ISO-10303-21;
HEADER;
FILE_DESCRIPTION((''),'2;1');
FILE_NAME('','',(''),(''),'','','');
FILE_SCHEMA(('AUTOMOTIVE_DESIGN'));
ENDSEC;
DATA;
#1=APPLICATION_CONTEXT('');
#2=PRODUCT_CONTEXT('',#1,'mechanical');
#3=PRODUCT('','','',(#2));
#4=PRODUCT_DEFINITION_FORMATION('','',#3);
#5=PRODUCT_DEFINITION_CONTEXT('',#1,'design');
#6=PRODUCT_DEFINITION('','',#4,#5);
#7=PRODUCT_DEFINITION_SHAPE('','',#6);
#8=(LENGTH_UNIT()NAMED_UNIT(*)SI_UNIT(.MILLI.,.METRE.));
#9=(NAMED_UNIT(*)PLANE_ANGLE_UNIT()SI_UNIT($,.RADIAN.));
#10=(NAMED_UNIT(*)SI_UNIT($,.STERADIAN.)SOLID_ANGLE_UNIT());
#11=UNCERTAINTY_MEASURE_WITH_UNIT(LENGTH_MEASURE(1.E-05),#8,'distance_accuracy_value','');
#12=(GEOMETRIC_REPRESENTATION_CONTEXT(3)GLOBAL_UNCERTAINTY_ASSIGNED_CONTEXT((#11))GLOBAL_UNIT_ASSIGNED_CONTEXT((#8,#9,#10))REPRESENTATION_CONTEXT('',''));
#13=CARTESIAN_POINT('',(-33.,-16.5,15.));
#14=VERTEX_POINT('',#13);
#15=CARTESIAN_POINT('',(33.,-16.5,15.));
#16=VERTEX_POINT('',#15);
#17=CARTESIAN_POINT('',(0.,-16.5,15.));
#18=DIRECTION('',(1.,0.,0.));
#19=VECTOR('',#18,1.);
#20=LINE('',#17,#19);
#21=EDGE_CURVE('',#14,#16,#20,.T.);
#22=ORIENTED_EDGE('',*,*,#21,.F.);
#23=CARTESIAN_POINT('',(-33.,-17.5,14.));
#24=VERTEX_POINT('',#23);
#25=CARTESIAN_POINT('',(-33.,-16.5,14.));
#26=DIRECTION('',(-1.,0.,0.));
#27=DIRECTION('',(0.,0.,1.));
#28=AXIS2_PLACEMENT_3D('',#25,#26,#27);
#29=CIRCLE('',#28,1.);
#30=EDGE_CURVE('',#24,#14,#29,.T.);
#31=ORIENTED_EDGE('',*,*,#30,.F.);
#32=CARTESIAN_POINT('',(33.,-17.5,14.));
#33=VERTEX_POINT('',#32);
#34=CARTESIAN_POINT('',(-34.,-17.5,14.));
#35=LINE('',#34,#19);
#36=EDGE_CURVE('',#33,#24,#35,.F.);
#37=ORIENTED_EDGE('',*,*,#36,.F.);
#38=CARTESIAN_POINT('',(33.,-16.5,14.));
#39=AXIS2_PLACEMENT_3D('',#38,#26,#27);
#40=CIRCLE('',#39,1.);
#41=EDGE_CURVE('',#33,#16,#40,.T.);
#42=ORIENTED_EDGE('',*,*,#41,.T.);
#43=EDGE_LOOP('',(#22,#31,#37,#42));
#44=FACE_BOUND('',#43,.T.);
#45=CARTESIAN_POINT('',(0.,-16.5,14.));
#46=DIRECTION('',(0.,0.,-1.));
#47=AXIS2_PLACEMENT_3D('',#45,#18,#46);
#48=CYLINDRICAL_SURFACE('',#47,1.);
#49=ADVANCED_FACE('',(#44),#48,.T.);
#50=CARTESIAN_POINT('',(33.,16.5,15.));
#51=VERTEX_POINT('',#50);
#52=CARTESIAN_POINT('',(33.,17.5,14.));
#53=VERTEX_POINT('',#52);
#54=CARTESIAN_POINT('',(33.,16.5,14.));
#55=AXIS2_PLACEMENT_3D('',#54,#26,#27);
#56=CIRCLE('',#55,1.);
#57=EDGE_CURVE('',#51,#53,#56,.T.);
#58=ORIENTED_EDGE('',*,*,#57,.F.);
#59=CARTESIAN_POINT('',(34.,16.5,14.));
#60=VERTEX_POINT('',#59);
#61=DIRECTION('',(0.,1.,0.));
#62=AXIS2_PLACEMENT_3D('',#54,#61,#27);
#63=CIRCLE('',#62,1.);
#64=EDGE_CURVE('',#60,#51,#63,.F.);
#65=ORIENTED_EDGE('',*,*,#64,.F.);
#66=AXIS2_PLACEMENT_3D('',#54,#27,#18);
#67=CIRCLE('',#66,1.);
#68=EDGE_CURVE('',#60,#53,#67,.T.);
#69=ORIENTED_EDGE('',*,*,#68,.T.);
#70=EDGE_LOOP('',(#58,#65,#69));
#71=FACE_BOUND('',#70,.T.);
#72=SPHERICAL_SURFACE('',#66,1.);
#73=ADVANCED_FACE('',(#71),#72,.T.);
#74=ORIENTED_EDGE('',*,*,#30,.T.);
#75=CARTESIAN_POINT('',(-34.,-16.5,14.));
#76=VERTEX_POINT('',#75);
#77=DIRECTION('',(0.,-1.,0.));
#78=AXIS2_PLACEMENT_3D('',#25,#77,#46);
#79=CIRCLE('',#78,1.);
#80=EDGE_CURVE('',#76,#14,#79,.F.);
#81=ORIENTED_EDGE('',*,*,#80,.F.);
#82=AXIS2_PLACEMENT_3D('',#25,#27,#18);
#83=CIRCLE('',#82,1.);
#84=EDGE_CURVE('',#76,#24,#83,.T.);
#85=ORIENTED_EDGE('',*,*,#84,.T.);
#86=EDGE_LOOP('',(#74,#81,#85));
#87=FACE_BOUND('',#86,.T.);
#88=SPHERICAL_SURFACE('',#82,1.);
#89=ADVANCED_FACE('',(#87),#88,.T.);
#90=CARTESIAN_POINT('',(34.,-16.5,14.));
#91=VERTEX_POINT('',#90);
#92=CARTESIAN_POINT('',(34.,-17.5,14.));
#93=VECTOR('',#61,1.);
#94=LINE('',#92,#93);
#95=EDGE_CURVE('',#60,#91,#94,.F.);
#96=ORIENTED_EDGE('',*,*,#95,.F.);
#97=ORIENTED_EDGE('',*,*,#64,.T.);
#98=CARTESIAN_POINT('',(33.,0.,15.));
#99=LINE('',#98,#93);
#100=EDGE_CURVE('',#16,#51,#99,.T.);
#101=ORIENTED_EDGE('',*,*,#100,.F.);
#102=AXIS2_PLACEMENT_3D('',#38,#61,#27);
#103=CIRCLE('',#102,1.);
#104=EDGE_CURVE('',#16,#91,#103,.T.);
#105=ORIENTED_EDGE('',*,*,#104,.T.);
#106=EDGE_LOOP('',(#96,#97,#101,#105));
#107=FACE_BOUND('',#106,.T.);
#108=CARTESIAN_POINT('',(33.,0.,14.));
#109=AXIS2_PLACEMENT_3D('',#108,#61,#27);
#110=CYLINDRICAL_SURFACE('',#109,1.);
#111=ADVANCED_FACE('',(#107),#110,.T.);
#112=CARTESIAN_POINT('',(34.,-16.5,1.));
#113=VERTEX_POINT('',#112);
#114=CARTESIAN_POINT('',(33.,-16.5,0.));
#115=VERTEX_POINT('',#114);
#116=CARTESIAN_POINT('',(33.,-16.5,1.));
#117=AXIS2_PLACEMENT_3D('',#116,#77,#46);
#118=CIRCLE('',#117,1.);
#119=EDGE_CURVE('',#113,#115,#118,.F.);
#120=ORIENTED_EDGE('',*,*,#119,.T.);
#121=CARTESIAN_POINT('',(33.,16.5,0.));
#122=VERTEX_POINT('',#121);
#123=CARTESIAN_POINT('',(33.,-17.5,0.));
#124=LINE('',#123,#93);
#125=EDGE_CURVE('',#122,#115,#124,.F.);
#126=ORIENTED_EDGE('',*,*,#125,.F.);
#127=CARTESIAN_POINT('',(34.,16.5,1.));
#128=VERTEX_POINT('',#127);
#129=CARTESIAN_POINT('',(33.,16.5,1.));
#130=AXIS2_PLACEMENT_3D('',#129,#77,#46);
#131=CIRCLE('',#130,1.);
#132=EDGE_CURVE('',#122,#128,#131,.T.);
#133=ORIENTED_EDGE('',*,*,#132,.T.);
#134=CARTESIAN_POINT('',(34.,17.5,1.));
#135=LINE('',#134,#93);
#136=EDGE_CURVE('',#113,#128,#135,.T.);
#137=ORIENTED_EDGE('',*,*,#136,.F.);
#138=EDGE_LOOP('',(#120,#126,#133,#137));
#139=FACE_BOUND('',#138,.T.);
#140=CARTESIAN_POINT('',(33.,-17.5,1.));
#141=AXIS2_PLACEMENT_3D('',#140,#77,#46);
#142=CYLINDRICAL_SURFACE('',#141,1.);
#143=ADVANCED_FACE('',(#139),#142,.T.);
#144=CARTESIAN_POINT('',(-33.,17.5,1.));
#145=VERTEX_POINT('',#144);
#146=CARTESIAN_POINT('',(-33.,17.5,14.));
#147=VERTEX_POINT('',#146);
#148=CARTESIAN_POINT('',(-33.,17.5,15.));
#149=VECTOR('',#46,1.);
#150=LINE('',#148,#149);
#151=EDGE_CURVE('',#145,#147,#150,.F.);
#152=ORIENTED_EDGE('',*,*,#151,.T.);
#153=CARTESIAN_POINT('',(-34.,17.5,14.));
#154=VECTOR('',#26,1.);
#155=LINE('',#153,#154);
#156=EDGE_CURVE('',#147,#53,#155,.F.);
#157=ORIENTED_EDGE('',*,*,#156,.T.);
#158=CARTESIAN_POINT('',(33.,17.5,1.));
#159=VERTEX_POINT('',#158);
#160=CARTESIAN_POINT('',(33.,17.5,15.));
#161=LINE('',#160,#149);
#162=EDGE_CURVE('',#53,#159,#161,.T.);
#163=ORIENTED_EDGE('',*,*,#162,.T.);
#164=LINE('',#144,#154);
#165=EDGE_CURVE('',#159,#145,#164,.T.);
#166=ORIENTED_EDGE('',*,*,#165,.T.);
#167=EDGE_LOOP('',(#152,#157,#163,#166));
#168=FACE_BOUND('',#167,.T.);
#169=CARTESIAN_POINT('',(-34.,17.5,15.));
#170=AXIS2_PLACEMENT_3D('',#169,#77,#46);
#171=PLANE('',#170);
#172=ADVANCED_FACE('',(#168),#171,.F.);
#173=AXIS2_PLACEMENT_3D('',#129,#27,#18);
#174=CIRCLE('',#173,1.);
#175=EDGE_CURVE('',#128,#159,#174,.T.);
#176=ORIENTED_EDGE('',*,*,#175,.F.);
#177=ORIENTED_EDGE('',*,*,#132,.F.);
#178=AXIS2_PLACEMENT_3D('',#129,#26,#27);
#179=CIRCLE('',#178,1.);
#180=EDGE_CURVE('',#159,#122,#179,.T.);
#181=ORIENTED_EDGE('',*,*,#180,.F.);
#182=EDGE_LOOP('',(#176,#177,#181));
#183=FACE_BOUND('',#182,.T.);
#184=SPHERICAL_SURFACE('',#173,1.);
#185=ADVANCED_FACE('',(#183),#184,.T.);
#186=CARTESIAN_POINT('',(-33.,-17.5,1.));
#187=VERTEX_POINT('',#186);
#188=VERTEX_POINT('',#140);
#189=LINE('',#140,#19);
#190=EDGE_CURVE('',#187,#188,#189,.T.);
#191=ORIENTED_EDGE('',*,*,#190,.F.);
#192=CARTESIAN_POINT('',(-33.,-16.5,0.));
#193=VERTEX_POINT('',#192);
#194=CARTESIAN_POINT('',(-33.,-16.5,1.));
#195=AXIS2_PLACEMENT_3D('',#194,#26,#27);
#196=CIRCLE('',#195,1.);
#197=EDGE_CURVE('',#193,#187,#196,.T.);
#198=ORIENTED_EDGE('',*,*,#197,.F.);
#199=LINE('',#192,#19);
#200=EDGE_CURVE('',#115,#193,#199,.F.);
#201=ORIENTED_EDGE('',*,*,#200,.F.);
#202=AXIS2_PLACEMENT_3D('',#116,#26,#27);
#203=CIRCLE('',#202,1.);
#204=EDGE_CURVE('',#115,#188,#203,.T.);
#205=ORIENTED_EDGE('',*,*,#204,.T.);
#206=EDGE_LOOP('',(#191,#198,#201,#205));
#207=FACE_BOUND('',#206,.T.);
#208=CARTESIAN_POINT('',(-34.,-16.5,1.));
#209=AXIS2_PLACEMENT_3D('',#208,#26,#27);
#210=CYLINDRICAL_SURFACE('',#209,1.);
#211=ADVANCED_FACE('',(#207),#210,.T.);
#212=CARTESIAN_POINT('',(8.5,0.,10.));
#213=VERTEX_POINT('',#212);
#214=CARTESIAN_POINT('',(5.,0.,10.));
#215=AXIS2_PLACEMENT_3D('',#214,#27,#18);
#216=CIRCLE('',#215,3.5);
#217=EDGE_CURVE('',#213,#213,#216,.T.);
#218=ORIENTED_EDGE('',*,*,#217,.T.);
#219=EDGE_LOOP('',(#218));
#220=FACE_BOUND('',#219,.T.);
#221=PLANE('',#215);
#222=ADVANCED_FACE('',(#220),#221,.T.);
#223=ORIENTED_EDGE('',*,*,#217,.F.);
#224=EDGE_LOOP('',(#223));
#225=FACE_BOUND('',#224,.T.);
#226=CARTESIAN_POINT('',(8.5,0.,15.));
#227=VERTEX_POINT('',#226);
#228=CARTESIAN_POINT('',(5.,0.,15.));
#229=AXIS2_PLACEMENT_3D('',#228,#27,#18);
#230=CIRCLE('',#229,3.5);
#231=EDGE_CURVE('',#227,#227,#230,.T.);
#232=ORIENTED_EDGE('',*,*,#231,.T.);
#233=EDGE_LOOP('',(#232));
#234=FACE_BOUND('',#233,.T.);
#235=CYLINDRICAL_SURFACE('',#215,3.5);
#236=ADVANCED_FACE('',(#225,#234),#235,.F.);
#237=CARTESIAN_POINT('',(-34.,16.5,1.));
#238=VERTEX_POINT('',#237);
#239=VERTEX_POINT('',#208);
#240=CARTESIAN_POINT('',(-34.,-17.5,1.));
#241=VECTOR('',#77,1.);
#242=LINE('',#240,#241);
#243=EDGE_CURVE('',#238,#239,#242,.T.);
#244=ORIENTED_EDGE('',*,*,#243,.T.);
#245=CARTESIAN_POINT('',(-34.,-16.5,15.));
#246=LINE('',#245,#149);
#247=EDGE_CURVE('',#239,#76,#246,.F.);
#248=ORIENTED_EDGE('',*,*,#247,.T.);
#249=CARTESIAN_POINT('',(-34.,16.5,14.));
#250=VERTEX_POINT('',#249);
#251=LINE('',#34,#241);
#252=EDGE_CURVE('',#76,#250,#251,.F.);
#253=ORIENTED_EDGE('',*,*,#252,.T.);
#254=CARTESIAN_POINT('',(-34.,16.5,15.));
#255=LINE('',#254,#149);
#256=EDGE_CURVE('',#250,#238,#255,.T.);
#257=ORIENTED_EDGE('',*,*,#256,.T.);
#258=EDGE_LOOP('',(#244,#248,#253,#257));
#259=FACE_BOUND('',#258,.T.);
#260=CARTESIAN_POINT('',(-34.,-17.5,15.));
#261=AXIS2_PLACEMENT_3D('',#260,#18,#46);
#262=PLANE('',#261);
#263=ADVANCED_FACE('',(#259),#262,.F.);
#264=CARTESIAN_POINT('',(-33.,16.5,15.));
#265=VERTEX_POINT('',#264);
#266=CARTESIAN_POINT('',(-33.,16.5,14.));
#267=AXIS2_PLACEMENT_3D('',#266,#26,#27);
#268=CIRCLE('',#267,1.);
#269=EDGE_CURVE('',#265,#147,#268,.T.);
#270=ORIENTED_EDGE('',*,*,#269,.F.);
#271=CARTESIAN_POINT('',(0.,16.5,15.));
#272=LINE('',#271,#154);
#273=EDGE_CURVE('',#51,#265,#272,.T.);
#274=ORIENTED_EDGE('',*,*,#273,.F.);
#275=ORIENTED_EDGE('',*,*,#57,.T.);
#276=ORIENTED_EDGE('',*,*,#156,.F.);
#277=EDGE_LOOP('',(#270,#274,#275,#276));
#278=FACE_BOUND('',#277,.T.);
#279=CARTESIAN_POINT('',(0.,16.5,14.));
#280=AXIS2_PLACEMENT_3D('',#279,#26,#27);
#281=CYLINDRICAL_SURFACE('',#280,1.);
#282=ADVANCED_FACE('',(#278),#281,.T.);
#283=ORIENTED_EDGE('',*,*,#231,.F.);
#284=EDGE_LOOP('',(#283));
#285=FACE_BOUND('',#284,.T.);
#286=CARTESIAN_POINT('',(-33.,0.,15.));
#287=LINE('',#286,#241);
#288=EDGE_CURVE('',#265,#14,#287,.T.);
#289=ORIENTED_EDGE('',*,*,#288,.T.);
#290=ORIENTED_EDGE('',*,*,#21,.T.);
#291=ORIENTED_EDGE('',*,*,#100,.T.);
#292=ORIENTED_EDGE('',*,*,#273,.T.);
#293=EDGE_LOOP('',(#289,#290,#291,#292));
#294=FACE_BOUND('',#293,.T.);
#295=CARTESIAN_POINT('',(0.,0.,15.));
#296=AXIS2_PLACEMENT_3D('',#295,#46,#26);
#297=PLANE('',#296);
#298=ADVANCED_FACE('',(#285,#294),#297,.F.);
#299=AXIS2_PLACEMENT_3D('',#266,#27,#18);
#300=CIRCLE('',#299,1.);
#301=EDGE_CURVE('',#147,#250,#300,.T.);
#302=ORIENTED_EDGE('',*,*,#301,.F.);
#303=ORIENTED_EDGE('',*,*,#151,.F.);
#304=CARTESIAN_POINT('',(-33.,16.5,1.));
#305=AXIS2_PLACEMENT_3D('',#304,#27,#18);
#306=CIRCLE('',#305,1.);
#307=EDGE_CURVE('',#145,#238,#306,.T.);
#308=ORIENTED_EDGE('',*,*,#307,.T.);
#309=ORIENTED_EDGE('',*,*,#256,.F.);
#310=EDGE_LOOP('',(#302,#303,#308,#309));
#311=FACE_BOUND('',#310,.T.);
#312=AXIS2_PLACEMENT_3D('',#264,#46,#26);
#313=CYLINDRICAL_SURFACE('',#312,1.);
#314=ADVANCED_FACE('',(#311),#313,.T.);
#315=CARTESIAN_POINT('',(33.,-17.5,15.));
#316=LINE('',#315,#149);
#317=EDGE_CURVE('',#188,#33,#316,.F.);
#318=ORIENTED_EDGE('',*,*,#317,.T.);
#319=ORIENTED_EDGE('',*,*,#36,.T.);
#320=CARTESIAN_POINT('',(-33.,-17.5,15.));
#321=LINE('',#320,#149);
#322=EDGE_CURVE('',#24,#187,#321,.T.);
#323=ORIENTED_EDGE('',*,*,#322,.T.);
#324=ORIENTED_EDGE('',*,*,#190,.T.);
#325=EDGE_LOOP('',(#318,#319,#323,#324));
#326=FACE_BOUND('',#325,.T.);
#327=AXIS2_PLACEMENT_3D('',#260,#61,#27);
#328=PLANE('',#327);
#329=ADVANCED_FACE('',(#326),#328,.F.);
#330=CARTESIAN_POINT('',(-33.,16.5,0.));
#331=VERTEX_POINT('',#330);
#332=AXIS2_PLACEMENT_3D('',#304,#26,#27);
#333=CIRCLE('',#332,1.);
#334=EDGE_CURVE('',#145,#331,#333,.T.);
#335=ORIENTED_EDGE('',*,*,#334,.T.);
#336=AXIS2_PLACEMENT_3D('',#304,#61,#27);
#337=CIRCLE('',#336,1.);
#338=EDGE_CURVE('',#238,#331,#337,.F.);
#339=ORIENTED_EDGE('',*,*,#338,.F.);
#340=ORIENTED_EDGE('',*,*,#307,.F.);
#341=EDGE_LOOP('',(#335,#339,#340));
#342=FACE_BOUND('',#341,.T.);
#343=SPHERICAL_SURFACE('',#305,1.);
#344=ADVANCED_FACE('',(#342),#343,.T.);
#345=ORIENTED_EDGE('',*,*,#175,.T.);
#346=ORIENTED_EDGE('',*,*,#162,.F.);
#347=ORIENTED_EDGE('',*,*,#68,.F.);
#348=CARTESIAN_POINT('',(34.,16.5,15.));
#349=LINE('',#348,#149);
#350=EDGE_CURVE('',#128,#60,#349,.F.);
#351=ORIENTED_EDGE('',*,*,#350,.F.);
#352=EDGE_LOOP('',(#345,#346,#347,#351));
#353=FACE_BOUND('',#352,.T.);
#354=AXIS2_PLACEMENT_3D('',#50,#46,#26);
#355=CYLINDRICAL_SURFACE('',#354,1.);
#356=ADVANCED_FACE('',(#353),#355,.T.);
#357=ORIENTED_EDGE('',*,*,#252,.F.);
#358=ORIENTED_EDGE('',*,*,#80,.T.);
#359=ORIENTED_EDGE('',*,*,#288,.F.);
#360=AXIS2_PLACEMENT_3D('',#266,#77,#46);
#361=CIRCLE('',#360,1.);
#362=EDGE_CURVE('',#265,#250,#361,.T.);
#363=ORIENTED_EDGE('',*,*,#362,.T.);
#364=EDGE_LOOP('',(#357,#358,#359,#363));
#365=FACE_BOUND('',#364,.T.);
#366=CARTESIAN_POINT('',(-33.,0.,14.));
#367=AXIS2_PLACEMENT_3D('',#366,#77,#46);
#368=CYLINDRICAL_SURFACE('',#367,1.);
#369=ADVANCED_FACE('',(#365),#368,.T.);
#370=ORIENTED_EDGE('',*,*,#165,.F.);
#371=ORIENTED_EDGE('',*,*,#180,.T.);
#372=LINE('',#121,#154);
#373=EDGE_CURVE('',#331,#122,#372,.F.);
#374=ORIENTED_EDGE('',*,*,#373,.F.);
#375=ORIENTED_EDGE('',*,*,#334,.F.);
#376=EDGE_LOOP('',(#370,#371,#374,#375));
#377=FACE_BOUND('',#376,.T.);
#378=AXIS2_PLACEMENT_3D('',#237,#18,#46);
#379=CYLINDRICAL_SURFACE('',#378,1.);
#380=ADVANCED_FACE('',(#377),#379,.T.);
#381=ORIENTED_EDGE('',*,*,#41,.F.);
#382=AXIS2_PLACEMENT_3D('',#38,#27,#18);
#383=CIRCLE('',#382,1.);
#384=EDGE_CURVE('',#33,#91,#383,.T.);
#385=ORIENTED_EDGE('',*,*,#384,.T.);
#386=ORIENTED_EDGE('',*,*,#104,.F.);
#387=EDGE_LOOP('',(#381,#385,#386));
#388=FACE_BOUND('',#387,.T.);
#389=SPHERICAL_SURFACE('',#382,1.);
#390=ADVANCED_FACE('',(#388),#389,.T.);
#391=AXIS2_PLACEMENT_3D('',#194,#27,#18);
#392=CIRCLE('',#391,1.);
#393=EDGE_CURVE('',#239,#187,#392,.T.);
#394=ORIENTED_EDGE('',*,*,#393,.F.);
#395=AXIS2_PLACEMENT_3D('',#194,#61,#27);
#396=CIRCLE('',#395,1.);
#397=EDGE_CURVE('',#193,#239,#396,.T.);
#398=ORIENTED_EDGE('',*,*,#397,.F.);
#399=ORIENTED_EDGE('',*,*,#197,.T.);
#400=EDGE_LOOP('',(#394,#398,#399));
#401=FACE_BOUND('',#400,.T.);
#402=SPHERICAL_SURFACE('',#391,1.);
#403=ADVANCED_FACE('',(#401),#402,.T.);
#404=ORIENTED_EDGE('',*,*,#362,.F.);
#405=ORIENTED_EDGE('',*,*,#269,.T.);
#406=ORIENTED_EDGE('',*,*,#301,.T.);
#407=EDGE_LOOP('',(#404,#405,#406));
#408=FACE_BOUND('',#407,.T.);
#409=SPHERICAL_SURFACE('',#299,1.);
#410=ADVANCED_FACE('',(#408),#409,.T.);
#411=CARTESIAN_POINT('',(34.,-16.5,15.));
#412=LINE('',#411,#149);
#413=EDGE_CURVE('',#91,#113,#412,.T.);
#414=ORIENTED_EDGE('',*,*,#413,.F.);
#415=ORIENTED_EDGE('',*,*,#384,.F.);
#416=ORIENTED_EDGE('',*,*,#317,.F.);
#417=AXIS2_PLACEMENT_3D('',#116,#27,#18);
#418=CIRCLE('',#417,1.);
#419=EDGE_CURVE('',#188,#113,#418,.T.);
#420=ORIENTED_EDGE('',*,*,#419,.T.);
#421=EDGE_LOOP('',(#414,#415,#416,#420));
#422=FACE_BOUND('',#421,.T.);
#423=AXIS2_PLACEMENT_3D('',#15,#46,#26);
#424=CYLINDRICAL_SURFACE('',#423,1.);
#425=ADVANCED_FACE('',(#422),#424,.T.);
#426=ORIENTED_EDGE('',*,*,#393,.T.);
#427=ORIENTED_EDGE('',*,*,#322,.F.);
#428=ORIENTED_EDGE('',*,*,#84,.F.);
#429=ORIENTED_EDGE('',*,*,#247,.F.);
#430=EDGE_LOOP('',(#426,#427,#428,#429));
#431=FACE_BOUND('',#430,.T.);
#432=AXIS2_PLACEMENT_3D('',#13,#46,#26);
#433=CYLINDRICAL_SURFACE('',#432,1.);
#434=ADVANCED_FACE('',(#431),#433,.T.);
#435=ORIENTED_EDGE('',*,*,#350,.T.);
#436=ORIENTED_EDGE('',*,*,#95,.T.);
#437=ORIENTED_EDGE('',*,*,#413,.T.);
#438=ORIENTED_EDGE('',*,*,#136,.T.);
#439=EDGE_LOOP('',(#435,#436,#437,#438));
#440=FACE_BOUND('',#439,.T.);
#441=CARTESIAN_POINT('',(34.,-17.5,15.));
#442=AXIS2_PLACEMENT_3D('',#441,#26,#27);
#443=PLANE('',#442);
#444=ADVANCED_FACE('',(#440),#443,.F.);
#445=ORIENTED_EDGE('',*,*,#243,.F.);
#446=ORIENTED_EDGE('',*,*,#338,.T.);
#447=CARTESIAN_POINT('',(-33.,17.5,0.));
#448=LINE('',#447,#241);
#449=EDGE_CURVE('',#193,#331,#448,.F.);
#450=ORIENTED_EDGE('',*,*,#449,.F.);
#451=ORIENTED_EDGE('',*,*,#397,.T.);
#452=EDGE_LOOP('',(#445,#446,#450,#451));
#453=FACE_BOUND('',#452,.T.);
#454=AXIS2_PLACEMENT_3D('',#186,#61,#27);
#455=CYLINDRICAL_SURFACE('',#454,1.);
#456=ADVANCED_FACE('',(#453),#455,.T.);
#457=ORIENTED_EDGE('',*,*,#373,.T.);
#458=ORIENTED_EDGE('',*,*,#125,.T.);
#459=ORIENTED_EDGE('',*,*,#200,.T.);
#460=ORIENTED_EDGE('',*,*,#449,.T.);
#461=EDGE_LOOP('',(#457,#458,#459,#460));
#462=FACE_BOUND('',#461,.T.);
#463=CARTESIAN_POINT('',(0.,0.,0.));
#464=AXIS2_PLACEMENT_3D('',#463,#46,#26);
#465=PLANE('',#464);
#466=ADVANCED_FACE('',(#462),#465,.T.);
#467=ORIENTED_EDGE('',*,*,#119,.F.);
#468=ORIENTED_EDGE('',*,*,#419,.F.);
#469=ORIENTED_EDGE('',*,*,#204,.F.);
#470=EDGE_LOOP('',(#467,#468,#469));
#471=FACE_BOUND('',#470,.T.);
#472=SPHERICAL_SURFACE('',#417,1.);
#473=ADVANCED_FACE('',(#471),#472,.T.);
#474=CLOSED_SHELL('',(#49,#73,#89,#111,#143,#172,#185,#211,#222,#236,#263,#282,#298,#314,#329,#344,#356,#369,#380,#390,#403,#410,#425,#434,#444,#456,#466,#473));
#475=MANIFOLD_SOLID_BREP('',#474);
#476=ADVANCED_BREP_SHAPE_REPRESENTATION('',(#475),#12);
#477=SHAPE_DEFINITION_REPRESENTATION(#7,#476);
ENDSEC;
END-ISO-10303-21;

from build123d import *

# Parameters (mm, degrees)
SKETCH1_W           = 68
SKETCH1_H           = 35
BOSS_EXTRUDE1_DEPTH = 15
FILLET1_R           = 1
FILLET2_R           = 1
FILLET3_R           = 1
FILLET4_R           = 1
SKETCH2_R           = 3.5
CUT_EXTRUDE1_DEPTH  = 5


with BuildPart() as part:
    # Sketch1 → Boss-Extrude1 (new body)
    with BuildSketch(Plane.XY):
        Rectangle(SKETCH1_W, SKETCH1_H)
    extrude(amount=BOSS_EXTRUDE1_DEPTH)

    # Fillet1
    fillet1_edges = [part.edges().sort_by_distance(p)[0] for p in [
        (-34, 0, 15),
        (-34, 0, 0),
    ]]
    fillet(fillet1_edges, radius=FILLET1_R)

    # Fillet2
    fillet2_edges = [part.edges().sort_by_distance(p)[0] for p in [
        (34, 0, 15),
        (34, 0, 0),
    ]]
    fillet(fillet2_edges, radius=FILLET2_R)

    # Fillet3
    fillet3_edges = [part.edges().sort_by_distance(p)[0] for p in [
        (-34, -17.5, 7.5),
        (0, -17.5, 0),
        (0, -17.5, 15),
        (-33.707106781, -17.5, 14.707106781),
        (-33.707106781, -17.5, 0.292893219),
        (34, -17.5, 7.5),
        (33.707106781, -17.5, 14.707106781),
        (33.707106781, -17.5, 0.292893219),
    ]]
    fillet(fillet3_edges, radius=FILLET3_R)

    # Fillet4
    fillet4_edges = [part.edges().sort_by_distance(p)[0] for p in [
        (-34, 17.5, 7.5),
        (-33.707106781, 17.5, 14.707106781),
        (-33.707106781, 17.5, 0.292893219),
        (34, 17.5, 7.5),
        (0, 17.5, 0),
        (0, 17.5, 15),
        (33.707106781, 17.5, 14.707106781),
        (33.707106781, 17.5, 0.292893219),
    ]]
    fillet(fillet4_edges, radius=FILLET4_R)

    # Sketch2 → Cut-Extrude1 (cut)
    with BuildSketch(Plane.XY.offset(15)):
        with Locations((5, 0)):
            Circle(SKETCH2_R)
    extrude(amount=-CUT_EXTRUDE1_DEPTH, mode=Mode.SUBTRACT)


solid = part.part
